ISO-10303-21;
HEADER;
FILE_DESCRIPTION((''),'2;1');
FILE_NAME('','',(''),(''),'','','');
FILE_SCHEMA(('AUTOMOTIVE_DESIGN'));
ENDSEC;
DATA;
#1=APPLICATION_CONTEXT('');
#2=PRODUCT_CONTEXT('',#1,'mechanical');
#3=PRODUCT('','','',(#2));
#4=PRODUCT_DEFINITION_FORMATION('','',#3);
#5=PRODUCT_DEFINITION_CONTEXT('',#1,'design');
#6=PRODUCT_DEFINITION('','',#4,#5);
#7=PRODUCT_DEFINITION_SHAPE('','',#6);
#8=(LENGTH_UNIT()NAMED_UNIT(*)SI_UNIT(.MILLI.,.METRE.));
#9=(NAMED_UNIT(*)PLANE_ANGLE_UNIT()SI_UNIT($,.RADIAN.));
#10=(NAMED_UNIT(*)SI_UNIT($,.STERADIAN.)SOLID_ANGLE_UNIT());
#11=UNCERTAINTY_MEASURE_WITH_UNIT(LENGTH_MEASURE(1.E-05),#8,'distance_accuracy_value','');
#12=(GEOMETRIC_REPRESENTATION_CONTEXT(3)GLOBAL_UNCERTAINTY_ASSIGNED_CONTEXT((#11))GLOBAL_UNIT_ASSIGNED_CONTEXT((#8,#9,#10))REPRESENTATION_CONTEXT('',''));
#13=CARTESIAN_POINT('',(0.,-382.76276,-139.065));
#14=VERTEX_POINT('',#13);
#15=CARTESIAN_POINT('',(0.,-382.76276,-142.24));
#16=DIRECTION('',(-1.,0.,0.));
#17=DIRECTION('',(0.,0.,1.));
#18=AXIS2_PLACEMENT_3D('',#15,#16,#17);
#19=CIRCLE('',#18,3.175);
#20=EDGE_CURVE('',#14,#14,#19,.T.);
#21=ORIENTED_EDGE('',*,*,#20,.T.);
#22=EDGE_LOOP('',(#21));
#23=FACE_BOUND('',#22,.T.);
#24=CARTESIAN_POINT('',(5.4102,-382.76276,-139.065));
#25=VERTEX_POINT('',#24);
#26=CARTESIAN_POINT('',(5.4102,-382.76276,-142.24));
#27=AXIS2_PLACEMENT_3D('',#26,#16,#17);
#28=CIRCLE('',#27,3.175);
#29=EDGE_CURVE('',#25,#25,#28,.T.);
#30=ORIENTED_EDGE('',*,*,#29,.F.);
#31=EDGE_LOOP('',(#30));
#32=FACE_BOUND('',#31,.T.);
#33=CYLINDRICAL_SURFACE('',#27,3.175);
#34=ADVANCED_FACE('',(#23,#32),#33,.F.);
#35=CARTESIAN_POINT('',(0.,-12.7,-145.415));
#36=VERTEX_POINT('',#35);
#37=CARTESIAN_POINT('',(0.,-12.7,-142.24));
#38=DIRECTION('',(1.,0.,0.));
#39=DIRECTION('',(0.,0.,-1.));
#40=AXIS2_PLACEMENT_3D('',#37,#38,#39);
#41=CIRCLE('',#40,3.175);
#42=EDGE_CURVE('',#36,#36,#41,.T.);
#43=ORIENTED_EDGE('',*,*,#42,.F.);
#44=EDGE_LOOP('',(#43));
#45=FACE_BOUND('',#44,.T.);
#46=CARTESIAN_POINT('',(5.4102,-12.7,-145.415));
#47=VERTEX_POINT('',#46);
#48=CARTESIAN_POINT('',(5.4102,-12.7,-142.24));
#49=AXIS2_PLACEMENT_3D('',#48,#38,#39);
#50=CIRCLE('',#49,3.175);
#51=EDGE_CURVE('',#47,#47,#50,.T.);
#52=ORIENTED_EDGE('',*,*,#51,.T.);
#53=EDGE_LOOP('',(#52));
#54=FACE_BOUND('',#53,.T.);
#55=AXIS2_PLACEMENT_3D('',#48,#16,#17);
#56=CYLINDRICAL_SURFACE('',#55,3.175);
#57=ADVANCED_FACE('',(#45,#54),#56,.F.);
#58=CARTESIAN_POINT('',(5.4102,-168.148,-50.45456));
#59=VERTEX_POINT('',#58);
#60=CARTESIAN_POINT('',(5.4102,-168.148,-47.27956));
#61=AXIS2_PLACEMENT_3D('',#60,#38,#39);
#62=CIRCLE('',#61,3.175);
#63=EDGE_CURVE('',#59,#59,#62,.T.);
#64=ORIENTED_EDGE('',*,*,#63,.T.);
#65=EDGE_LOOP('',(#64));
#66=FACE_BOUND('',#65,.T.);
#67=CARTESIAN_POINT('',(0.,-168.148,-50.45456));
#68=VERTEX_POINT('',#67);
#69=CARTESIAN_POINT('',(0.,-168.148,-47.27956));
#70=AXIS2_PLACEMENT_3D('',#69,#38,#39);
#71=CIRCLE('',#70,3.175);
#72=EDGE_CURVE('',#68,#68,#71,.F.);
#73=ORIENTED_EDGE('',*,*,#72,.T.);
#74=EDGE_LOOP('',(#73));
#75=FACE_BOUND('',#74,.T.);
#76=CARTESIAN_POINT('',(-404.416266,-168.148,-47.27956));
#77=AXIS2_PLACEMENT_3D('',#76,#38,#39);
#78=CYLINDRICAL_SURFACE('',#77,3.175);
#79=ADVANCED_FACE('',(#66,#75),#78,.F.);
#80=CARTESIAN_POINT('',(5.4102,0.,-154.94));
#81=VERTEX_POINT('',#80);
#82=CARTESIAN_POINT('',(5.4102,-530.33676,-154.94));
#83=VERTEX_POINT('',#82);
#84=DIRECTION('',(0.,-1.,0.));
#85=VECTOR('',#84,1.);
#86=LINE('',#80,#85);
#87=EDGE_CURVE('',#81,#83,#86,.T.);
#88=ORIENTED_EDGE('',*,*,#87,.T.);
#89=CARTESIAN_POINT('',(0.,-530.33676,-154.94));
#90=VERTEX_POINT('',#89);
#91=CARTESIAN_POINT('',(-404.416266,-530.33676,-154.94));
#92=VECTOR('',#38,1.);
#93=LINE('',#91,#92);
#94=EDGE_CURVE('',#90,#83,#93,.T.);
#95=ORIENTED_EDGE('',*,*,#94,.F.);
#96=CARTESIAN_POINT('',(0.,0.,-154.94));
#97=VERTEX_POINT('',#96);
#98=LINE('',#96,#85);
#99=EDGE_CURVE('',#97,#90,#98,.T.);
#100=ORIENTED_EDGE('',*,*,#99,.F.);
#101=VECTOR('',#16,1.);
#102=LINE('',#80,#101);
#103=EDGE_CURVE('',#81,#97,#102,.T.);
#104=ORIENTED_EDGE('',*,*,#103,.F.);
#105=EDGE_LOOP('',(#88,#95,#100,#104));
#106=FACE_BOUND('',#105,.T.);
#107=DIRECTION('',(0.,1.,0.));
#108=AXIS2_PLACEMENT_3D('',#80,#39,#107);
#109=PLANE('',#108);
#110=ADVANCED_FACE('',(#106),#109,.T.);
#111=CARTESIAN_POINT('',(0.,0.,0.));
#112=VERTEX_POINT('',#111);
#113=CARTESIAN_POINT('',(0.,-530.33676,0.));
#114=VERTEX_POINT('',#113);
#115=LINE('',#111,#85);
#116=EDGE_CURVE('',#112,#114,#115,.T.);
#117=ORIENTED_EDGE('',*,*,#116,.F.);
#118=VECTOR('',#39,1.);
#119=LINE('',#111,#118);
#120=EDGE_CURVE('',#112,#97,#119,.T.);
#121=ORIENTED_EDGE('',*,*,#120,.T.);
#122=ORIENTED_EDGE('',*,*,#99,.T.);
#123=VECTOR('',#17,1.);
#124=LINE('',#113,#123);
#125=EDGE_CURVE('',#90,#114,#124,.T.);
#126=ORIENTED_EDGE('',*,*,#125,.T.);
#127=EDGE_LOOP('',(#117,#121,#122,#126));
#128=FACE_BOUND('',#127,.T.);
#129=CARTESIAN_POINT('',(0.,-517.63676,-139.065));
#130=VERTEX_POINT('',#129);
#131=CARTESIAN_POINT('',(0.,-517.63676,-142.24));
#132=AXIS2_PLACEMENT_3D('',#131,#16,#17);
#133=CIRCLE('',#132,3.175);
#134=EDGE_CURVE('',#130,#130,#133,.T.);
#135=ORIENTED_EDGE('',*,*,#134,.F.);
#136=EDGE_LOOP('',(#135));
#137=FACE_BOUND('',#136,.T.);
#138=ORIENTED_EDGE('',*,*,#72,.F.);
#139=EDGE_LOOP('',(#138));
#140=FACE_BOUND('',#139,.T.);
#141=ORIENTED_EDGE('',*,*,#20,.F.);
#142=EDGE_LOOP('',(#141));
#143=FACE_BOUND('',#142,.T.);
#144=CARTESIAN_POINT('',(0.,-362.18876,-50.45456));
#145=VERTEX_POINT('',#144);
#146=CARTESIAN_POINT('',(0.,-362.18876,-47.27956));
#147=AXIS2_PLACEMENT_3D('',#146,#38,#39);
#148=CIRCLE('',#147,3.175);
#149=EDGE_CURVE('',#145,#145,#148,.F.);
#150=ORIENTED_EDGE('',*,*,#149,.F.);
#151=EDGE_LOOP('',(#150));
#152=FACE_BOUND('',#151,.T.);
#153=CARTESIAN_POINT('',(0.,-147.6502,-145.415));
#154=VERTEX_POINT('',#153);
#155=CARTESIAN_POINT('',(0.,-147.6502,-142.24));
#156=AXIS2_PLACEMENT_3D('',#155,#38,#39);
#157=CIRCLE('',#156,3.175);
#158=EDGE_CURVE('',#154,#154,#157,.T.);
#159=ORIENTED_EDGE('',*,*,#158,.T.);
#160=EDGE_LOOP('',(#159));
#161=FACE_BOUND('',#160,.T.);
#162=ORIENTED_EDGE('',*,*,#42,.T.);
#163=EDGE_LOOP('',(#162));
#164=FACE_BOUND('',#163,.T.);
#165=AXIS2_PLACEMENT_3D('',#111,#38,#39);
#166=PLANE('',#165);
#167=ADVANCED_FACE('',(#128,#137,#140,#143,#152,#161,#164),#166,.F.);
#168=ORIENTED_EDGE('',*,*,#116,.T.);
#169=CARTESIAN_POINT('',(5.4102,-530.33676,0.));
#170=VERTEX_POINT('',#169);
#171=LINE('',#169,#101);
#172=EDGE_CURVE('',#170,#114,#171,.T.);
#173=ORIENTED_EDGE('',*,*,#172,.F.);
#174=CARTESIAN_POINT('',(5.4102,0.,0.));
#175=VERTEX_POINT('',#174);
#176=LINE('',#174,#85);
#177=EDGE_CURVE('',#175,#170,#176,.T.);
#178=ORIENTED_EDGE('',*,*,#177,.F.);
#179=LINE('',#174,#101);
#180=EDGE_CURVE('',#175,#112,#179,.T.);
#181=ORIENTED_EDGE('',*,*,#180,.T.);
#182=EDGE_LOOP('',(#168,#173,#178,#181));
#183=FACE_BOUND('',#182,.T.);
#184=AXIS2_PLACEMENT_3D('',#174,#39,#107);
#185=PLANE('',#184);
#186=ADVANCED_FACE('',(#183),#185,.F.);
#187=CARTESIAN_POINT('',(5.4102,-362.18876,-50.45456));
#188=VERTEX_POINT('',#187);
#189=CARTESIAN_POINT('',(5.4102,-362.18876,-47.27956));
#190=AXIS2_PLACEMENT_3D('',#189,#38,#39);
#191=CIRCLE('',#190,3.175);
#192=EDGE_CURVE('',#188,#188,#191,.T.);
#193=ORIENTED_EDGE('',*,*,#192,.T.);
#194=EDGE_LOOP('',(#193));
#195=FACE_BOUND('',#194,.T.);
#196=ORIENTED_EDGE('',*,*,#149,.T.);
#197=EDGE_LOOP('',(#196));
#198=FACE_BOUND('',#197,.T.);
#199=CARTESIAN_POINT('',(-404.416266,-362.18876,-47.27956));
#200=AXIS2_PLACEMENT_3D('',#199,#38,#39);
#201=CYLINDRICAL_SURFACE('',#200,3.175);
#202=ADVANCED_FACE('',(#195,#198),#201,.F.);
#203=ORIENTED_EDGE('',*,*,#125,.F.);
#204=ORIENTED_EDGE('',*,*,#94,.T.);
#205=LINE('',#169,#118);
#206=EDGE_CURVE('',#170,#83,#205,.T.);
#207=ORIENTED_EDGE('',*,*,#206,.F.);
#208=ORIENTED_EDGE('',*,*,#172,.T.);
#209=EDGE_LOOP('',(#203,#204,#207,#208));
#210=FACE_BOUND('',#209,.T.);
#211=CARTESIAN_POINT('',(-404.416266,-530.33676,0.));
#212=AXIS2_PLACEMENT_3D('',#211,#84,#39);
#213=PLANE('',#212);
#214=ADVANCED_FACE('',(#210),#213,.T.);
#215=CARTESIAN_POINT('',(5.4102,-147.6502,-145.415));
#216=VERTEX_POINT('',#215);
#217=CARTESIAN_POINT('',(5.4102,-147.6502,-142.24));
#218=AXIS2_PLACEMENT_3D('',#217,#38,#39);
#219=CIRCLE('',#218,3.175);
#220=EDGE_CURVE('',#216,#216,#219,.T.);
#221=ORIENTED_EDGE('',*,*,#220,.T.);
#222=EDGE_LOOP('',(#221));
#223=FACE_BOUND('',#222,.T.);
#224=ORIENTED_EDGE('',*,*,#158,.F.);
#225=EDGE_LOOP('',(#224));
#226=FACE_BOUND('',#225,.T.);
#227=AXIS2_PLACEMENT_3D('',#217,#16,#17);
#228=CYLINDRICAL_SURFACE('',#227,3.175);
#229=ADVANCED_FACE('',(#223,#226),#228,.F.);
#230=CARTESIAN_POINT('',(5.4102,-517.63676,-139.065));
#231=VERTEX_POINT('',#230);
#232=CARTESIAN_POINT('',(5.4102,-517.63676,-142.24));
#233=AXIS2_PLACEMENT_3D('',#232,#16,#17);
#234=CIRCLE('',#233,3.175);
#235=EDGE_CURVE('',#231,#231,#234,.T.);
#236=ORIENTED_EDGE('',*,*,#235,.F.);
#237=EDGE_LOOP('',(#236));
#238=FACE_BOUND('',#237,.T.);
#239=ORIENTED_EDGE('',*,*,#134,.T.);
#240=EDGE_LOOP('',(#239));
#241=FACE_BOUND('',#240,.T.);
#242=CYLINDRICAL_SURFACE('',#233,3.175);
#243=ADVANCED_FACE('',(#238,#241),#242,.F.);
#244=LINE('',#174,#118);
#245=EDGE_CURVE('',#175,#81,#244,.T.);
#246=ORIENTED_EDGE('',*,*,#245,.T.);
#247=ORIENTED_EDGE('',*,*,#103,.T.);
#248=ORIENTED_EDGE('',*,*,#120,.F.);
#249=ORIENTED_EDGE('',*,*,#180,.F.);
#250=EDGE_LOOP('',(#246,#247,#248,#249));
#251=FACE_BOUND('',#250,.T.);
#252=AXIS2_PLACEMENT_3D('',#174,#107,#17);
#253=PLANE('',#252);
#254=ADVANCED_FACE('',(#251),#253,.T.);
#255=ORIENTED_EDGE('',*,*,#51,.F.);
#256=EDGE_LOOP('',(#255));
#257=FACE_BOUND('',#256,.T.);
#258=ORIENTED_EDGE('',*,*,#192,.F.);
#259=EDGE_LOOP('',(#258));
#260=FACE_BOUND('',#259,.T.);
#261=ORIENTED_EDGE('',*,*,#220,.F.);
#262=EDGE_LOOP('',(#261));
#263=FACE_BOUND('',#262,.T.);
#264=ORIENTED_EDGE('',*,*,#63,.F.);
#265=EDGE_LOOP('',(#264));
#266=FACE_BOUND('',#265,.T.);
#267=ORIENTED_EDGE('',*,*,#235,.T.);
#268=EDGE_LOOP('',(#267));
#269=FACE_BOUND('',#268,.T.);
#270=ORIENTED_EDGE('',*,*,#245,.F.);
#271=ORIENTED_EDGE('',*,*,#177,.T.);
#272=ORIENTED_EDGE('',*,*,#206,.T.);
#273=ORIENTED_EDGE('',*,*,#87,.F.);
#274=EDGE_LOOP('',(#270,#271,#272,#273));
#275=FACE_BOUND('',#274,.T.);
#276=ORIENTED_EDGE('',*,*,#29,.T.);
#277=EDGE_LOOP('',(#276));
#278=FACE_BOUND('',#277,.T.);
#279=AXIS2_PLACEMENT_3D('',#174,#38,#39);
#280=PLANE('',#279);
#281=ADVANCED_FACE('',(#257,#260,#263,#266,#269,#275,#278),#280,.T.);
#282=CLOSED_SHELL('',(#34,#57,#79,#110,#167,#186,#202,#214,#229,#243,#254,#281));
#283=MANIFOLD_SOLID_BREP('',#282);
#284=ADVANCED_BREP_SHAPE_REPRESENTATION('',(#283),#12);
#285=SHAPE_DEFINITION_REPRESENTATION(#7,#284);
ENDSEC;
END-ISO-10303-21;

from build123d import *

# Parameters (mm, degrees)
SKETCH1_W           = 163.28644
SKETCH1_H           = 160.3502
SKETCH1_R           = 3.175
BOSS_EXTRUDE3_DEPTH = 5.4102
SKETCH5_W           = 163.28644
SKETCH5_H           = 369.98656
SKETCH5_R           = 3.175
BOSS_EXTRUDE7_DEPTH = 5.4102
SKETCH6_W           = 8.34644
SKETCH6_H           = 530.33676
CUT_EXTRUDE1_DEPTH  = 5.4102
SKETCH7_R           = 3.175
CUT_EXTRUDE2_DEPTH  = 5.4102


with BuildPart() as part:
    # Sketch1 → Boss-Extrude3 (new body)
    with BuildSketch(Plane(origin=(0, 0, 0), x_dir=(0, 0, -1), z_dir=(1, 0, 0))):
        with Locations((73.29678, -80.1751)):
            Rectangle(SKETCH1_W, SKETCH1_H)
        with Locations((142.24, -147.6502)):
            Circle(SKETCH1_R, mode=Mode.SUBTRACT)
        with Locations((142.24, -12.7)):
            Circle(SKETCH1_R, mode=Mode.SUBTRACT)
    extrude(amount=BOSS_EXTRUDE3_DEPTH)

    # Sketch5 → Boss-Extrude7 (add)
    with BuildSketch(Plane(origin=(5.4102, 0, 0), x_dir=(0, 0, -1), z_dir=(1, 0, 0))):
        with Locations((73.29678, -345.34348)):
            Rectangle(SKETCH5_W, SKETCH5_H)
        with Locations((47.27956, -362.18876)):
            Circle(SKETCH5_R, mode=Mode.SUBTRACT)
        with Locations((47.27956, -168.148)):
            Circle(SKETCH5_R, mode=Mode.SUBTRACT)
    extrude(amount=-BOSS_EXTRUDE7_DEPTH)

    # Sketch6 → Cut-Extrude1 (cut)
    with BuildSketch(Plane.ZY):
        with Locations((4.17322, -265.16838)):
            Rectangle(SKETCH6_W, SKETCH6_H)
    extrude(amount=-CUT_EXTRUDE1_DEPTH, mode=Mode.SUBTRACT)

    # Sketch7 → Cut-Extrude2 (cut)
    with BuildSketch(Plane.ZY):
        with Locations((-142.24, -517.63676)):
            Circle(SKETCH7_R)
        with Locations((-142.24, -382.76276)):
            Circle(SKETCH7_R)
    extrude(amount=-CUT_EXTRUDE2_DEPTH, mode=Mode.SUBTRACT)


solid = part.part
